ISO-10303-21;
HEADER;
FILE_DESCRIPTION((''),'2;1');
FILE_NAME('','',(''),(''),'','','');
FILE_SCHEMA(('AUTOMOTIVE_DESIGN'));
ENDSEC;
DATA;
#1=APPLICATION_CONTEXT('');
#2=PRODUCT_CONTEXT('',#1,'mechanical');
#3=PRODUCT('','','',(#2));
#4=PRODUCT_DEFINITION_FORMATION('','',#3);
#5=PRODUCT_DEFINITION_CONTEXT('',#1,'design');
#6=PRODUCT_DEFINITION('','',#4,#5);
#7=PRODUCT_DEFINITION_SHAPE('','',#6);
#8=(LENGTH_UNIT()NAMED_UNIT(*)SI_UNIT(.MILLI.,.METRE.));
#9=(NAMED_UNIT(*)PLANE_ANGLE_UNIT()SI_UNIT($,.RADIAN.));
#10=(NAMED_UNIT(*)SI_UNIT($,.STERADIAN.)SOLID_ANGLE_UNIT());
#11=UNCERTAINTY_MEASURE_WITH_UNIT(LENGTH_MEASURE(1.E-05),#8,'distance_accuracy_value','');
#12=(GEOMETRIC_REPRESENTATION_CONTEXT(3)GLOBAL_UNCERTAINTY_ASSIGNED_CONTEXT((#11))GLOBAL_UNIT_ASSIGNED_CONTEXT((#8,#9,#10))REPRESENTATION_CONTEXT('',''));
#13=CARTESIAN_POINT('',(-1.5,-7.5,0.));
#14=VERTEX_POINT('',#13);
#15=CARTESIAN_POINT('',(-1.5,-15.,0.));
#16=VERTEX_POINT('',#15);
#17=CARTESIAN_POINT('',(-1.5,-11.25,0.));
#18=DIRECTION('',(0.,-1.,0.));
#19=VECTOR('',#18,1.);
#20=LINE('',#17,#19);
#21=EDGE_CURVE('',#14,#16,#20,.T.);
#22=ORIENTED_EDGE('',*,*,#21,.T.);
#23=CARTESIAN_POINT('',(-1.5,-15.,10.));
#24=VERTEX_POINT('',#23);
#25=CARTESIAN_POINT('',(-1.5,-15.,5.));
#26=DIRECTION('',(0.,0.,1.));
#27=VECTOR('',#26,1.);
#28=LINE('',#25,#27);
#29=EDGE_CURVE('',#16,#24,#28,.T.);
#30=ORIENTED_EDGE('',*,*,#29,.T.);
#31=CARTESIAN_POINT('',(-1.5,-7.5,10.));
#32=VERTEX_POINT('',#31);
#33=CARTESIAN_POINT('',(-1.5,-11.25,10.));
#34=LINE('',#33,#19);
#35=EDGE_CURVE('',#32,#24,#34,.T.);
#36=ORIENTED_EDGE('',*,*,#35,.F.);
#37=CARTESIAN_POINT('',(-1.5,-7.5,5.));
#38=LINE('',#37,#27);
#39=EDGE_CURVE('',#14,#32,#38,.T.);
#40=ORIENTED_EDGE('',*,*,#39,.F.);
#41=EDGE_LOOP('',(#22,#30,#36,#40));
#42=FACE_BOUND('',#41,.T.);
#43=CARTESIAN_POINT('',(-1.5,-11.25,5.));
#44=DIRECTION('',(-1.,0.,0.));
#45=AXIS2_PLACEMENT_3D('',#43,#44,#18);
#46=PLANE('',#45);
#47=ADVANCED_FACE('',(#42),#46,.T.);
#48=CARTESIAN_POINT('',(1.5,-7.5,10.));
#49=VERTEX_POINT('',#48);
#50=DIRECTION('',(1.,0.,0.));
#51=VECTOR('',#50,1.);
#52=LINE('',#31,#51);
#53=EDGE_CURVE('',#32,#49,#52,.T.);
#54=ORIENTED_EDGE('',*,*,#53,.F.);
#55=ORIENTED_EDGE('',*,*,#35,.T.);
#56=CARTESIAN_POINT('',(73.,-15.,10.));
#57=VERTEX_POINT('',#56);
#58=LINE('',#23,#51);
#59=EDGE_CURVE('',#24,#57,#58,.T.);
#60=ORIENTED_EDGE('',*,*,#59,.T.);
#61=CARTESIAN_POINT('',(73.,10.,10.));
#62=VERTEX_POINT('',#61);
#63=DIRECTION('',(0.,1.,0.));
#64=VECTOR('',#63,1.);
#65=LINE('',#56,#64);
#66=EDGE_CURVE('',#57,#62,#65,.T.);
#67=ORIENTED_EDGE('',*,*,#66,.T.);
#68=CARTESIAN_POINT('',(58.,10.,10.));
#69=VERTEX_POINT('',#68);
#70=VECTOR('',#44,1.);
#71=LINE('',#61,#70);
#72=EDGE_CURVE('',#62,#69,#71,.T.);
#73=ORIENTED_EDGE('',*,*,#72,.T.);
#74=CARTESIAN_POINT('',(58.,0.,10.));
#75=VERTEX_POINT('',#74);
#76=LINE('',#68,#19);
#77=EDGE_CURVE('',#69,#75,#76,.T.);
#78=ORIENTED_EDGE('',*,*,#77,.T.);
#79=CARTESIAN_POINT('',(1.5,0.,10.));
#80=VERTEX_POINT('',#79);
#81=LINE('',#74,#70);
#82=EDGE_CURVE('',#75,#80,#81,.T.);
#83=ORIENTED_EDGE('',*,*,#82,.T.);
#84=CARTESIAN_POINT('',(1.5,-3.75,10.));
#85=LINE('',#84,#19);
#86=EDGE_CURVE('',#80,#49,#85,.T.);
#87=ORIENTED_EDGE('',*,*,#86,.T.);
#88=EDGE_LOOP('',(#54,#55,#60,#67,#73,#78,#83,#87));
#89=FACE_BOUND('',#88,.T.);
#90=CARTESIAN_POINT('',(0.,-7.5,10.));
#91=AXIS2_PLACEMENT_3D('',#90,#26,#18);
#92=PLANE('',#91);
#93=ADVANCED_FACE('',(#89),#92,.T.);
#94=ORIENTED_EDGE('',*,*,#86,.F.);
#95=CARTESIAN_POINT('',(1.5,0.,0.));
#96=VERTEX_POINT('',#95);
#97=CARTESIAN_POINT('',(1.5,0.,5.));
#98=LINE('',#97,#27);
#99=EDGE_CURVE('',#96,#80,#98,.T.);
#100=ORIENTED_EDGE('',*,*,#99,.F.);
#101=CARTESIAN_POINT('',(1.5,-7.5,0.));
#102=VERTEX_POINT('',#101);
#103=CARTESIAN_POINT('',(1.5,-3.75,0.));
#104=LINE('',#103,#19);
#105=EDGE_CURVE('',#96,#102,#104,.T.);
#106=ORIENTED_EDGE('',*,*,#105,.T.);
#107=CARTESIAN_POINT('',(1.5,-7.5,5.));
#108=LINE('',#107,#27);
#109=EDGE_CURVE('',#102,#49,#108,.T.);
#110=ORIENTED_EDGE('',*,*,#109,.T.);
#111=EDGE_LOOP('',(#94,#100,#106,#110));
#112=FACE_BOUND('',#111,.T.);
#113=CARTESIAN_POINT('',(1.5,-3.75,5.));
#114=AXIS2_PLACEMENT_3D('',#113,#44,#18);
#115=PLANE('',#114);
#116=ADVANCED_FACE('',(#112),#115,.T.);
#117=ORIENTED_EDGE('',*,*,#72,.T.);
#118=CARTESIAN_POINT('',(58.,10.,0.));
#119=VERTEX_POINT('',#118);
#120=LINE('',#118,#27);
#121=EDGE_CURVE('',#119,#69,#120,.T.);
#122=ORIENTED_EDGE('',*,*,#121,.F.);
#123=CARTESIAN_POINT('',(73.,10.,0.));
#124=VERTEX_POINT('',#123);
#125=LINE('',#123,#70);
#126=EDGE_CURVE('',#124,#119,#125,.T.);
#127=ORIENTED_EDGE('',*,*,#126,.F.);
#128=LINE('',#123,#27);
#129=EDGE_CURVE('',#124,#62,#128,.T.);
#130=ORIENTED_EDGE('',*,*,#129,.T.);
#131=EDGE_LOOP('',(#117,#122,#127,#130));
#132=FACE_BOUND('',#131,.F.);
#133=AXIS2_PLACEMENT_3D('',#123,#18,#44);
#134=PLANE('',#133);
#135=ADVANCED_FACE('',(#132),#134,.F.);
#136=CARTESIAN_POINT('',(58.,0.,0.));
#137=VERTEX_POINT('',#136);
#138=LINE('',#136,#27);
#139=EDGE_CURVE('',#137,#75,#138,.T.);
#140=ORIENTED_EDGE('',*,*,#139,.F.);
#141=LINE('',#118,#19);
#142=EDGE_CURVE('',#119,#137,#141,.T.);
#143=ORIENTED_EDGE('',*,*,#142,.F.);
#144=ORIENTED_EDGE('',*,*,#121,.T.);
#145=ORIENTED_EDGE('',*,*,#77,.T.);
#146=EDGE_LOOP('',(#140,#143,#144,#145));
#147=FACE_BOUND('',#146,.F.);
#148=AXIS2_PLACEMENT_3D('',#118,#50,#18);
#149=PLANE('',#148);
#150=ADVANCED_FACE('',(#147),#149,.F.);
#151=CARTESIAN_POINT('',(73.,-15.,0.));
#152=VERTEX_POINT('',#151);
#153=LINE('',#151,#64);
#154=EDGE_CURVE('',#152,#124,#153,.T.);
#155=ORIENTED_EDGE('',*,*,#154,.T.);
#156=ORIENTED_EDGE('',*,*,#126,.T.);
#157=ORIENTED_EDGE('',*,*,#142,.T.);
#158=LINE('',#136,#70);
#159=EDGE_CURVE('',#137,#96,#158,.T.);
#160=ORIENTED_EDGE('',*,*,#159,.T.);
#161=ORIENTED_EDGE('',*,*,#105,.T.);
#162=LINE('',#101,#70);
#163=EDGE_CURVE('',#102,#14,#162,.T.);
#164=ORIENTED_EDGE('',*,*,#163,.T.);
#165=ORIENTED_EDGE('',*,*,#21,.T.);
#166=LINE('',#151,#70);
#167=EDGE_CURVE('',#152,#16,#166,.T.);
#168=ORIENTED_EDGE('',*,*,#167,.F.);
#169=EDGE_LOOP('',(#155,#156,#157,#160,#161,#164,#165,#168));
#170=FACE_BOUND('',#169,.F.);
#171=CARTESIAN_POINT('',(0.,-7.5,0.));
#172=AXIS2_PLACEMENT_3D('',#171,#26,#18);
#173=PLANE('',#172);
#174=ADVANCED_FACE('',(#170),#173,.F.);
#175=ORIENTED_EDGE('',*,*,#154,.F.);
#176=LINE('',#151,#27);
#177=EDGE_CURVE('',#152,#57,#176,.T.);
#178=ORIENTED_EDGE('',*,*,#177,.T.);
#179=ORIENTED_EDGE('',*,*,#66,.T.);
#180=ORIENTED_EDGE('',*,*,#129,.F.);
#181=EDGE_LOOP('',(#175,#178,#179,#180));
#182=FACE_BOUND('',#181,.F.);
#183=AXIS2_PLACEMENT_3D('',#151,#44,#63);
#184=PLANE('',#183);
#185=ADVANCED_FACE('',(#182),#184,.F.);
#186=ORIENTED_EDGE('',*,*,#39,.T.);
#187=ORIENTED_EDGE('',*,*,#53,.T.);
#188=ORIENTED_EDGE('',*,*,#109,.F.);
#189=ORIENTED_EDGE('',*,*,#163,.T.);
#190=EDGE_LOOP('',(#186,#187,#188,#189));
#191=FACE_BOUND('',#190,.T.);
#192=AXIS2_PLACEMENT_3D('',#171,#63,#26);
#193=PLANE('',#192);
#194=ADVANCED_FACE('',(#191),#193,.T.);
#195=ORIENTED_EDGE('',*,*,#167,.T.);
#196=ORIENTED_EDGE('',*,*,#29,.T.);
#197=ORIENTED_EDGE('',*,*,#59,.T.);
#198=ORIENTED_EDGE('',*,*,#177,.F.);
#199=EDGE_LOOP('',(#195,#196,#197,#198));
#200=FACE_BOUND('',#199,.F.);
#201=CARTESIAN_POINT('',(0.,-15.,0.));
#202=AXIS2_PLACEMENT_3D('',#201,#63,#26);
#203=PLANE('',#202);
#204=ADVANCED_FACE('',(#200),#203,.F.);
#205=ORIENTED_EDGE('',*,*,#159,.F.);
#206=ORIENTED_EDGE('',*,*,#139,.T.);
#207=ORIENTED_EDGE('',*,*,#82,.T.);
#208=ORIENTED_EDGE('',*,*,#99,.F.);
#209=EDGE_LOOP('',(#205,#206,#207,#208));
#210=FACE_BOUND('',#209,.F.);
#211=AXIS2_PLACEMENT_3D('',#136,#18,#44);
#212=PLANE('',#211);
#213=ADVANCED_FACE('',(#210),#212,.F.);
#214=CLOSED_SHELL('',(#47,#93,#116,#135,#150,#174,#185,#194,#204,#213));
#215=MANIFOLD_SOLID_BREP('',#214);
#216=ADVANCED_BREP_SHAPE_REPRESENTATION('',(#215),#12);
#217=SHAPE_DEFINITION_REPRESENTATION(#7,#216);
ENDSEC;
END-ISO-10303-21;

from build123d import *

# Parameters (mm, degrees)
F1_DEPTH = 10
F2_W     = 7.5
F2_H     = 10
F3_DEPTH = 1.5
F4_W     = 7.5
F4_H     = 10
F5_DEPTH = 1.5


with BuildPart() as f1:
    # F0 (on Top) → F1 (new body)
    with BuildSketch(Plane.XY):
        Polygon((58, 0), (0, 0), (0, -15), (73, -15), (73, 10), (58, 10), align=None)
    extrude(amount=F1_DEPTH)

    # F2 (on face) → F3 (cut)
    with BuildSketch(Plane(origin=(0, 0, 0), x_dir=(0, -1, 0), z_dir=(-1, 0, 0))):
        with Locations((3.75, 5)):
            Rectangle(F2_W, F2_H)
    extrude(amount=-F3_DEPTH, mode=Mode.SUBTRACT)

    # F4 (on face) → F5 (join)
    with BuildSketch(Plane(origin=(0, 0, 0), x_dir=(0, -1, 0), z_dir=(-1, 0, 0))):
        with Locations((11.25, 5)):
            Rectangle(F4_W, F4_H)
    extrude(amount=F5_DEPTH)


solid = f1.part
